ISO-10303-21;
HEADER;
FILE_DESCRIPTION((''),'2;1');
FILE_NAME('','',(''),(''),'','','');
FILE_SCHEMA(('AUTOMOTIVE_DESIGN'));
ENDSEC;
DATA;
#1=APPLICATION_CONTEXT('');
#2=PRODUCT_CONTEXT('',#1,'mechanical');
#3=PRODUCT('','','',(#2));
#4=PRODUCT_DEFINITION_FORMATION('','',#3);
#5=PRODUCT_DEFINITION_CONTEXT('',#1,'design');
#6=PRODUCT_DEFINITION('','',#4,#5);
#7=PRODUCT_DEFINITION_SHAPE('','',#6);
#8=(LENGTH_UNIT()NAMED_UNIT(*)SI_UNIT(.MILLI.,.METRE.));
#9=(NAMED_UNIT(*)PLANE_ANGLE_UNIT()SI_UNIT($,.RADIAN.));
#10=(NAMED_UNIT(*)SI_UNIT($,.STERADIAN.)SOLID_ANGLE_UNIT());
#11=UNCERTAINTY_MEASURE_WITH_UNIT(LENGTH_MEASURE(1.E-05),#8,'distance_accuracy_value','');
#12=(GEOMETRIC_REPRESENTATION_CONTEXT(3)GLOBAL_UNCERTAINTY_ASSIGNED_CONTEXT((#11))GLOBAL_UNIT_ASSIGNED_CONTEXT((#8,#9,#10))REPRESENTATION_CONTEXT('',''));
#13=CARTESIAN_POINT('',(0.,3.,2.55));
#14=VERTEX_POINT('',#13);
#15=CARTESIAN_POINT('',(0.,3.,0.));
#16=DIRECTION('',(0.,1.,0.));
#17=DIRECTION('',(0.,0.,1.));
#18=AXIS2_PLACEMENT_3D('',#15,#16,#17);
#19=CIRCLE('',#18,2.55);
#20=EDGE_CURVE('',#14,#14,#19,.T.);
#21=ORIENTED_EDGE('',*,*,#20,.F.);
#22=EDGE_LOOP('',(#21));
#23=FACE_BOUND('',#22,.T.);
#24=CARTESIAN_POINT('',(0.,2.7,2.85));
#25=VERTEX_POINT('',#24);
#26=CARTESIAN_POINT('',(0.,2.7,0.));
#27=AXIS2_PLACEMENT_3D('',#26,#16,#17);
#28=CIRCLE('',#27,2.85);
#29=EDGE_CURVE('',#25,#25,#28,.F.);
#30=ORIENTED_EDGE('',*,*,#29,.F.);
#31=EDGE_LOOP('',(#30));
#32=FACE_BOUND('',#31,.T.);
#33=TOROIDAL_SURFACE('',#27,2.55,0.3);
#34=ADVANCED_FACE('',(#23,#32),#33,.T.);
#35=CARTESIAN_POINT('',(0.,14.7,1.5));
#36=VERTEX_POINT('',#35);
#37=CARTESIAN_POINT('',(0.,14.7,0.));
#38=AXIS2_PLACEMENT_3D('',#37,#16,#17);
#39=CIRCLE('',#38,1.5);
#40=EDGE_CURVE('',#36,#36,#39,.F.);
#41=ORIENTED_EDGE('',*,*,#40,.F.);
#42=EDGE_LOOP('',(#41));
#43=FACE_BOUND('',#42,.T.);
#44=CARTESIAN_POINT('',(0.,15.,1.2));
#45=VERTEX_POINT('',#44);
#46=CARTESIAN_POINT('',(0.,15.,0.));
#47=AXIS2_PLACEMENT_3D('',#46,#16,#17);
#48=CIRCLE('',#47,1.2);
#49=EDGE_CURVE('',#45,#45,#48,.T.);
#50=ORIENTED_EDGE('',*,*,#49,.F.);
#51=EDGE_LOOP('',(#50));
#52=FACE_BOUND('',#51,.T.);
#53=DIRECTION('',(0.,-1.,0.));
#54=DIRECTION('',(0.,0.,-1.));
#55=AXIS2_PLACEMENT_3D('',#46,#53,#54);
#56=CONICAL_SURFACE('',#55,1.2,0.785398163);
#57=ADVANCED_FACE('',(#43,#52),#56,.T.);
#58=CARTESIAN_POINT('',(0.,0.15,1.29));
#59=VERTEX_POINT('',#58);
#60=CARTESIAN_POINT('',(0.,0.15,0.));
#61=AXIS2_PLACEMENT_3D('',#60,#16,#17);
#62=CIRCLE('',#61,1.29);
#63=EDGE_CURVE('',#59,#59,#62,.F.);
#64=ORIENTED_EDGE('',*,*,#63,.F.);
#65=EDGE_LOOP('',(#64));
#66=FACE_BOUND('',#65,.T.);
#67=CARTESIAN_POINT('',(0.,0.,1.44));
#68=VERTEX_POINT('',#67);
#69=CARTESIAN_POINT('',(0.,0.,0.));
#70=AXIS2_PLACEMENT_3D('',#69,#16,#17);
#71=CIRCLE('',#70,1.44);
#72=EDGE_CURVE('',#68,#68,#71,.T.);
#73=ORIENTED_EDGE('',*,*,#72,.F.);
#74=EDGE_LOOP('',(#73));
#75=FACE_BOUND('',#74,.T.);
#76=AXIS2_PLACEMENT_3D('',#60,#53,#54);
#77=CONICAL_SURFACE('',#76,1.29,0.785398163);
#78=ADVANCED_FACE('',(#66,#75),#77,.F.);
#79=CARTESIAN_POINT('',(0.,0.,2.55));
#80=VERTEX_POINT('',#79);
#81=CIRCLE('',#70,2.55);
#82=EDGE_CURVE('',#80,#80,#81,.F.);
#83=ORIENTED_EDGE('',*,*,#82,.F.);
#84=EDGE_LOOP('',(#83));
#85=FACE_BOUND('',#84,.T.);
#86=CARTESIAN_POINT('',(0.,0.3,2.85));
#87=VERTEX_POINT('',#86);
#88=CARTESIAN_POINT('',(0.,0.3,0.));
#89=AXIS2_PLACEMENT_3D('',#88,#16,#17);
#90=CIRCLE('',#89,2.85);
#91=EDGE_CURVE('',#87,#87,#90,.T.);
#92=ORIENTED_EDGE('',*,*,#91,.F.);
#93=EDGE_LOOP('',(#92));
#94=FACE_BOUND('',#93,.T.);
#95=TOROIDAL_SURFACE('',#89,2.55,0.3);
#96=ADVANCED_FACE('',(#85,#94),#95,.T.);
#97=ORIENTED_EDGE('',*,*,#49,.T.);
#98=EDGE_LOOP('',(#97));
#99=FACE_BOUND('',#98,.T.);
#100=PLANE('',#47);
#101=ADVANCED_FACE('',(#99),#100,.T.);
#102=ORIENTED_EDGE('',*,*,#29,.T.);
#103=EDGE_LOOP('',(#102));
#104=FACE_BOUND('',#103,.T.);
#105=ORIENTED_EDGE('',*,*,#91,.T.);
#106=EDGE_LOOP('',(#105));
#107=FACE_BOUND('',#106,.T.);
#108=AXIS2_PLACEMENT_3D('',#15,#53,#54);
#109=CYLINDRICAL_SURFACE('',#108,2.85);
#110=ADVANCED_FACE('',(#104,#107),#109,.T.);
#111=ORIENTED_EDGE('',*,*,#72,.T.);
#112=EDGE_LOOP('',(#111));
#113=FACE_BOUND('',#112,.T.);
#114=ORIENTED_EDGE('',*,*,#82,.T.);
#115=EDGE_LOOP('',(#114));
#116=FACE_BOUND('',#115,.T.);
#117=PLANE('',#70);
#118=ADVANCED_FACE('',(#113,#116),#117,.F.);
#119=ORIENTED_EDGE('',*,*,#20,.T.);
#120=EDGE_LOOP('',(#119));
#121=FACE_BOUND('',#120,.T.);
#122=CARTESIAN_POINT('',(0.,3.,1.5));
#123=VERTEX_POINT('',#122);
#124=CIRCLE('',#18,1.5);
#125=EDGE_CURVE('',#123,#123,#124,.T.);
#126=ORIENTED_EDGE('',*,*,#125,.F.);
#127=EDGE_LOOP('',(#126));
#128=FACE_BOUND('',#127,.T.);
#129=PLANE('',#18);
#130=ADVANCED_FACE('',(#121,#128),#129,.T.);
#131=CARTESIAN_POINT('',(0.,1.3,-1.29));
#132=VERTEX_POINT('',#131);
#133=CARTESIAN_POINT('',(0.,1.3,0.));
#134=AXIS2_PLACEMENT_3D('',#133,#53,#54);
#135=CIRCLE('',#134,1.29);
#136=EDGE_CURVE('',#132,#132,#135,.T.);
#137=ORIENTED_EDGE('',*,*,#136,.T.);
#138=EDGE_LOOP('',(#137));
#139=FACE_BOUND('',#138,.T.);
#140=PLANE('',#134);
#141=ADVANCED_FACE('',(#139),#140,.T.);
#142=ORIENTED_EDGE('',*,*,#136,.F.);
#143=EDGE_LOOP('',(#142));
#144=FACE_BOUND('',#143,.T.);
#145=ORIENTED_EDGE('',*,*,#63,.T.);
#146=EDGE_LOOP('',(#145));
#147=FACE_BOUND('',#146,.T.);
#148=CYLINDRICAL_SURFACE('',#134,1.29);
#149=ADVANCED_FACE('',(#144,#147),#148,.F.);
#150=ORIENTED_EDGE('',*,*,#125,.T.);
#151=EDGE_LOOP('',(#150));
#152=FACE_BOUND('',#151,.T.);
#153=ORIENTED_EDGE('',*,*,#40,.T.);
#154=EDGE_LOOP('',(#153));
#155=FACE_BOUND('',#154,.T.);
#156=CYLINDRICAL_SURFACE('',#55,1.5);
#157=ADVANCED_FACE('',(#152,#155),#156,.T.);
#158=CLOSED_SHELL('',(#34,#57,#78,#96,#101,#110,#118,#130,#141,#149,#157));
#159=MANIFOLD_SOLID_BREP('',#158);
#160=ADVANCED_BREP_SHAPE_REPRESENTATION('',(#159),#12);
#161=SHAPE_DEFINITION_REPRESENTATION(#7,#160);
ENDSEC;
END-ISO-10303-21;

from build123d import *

# Parameters (mm, degrees)
SKETCH_1_R          = 2.85
EXTRUDE_1_DEPTH     = 3
SKETCH_2_R          = 1.5
EXTRUDE_2_DEPTH     = 12
SKETCH_3_R          = 1.29
CUT_EXTRUDE_1_DEPTH = 1.3
FILLET_1_R          = 0.3
CHAMFER_1_SIZE      = 0.3
CHAMFER_2_SIZE      = 0.15


with BuildPart() as part:
    # 草图1 → 凸台-拉伸1 (new body)
    with BuildSketch(Plane(origin=(0, 0, 0), x_dir=(1, 0, 0), z_dir=(0, 1, 0))):
        with Locations(Location((0, 0, 0), (0, 0, 270))):
            Circle(SKETCH_1_R)
    extrude(amount=EXTRUDE_1_DEPTH)

    # 草图2 → 凸台-拉伸2 (add)
    with BuildSketch(Plane(origin=(0, 3, 0), x_dir=(1, 0, 0), z_dir=(0, 1, 0))):
        with Locations(Location((0, 0, 0), (0, 0, 270))):
            Circle(SKETCH_2_R)
    extrude(amount=EXTRUDE_2_DEPTH)

    # 草图3 → 切除-拉伸1 (cut)
    with BuildSketch(Plane.XZ):
        with Locations(Location((0, 0, 0), (0, 0, 270))):
            Circle(SKETCH_3_R)
    extrude(amount=-CUT_EXTRUDE_1_DEPTH, mode=Mode.SUBTRACT)

    # 圆角1
    fillet_1_edges = [part.edges().sort_by_distance(p)[0] for p in [
        (0, 0, -2.85),
        (0, 3, -2.85),
    ]]
    fillet(fillet_1_edges, radius=FILLET_1_R)

    # 倒角1
    chamfer_1_edges = [part.edges().sort_by_distance(p)[0] for p in [
        (0, 15, -1.5),
    ]]
    chamfer(chamfer_1_edges, length=CHAMFER_1_SIZE)

    # 倒角2
    chamfer_2_edges = [part.edges().sort_by_distance(p)[0] for p in [
        (0, 0, 1.29),
    ]]
    chamfer(chamfer_2_edges, length=CHAMFER_2_SIZE)


solid = part.part
